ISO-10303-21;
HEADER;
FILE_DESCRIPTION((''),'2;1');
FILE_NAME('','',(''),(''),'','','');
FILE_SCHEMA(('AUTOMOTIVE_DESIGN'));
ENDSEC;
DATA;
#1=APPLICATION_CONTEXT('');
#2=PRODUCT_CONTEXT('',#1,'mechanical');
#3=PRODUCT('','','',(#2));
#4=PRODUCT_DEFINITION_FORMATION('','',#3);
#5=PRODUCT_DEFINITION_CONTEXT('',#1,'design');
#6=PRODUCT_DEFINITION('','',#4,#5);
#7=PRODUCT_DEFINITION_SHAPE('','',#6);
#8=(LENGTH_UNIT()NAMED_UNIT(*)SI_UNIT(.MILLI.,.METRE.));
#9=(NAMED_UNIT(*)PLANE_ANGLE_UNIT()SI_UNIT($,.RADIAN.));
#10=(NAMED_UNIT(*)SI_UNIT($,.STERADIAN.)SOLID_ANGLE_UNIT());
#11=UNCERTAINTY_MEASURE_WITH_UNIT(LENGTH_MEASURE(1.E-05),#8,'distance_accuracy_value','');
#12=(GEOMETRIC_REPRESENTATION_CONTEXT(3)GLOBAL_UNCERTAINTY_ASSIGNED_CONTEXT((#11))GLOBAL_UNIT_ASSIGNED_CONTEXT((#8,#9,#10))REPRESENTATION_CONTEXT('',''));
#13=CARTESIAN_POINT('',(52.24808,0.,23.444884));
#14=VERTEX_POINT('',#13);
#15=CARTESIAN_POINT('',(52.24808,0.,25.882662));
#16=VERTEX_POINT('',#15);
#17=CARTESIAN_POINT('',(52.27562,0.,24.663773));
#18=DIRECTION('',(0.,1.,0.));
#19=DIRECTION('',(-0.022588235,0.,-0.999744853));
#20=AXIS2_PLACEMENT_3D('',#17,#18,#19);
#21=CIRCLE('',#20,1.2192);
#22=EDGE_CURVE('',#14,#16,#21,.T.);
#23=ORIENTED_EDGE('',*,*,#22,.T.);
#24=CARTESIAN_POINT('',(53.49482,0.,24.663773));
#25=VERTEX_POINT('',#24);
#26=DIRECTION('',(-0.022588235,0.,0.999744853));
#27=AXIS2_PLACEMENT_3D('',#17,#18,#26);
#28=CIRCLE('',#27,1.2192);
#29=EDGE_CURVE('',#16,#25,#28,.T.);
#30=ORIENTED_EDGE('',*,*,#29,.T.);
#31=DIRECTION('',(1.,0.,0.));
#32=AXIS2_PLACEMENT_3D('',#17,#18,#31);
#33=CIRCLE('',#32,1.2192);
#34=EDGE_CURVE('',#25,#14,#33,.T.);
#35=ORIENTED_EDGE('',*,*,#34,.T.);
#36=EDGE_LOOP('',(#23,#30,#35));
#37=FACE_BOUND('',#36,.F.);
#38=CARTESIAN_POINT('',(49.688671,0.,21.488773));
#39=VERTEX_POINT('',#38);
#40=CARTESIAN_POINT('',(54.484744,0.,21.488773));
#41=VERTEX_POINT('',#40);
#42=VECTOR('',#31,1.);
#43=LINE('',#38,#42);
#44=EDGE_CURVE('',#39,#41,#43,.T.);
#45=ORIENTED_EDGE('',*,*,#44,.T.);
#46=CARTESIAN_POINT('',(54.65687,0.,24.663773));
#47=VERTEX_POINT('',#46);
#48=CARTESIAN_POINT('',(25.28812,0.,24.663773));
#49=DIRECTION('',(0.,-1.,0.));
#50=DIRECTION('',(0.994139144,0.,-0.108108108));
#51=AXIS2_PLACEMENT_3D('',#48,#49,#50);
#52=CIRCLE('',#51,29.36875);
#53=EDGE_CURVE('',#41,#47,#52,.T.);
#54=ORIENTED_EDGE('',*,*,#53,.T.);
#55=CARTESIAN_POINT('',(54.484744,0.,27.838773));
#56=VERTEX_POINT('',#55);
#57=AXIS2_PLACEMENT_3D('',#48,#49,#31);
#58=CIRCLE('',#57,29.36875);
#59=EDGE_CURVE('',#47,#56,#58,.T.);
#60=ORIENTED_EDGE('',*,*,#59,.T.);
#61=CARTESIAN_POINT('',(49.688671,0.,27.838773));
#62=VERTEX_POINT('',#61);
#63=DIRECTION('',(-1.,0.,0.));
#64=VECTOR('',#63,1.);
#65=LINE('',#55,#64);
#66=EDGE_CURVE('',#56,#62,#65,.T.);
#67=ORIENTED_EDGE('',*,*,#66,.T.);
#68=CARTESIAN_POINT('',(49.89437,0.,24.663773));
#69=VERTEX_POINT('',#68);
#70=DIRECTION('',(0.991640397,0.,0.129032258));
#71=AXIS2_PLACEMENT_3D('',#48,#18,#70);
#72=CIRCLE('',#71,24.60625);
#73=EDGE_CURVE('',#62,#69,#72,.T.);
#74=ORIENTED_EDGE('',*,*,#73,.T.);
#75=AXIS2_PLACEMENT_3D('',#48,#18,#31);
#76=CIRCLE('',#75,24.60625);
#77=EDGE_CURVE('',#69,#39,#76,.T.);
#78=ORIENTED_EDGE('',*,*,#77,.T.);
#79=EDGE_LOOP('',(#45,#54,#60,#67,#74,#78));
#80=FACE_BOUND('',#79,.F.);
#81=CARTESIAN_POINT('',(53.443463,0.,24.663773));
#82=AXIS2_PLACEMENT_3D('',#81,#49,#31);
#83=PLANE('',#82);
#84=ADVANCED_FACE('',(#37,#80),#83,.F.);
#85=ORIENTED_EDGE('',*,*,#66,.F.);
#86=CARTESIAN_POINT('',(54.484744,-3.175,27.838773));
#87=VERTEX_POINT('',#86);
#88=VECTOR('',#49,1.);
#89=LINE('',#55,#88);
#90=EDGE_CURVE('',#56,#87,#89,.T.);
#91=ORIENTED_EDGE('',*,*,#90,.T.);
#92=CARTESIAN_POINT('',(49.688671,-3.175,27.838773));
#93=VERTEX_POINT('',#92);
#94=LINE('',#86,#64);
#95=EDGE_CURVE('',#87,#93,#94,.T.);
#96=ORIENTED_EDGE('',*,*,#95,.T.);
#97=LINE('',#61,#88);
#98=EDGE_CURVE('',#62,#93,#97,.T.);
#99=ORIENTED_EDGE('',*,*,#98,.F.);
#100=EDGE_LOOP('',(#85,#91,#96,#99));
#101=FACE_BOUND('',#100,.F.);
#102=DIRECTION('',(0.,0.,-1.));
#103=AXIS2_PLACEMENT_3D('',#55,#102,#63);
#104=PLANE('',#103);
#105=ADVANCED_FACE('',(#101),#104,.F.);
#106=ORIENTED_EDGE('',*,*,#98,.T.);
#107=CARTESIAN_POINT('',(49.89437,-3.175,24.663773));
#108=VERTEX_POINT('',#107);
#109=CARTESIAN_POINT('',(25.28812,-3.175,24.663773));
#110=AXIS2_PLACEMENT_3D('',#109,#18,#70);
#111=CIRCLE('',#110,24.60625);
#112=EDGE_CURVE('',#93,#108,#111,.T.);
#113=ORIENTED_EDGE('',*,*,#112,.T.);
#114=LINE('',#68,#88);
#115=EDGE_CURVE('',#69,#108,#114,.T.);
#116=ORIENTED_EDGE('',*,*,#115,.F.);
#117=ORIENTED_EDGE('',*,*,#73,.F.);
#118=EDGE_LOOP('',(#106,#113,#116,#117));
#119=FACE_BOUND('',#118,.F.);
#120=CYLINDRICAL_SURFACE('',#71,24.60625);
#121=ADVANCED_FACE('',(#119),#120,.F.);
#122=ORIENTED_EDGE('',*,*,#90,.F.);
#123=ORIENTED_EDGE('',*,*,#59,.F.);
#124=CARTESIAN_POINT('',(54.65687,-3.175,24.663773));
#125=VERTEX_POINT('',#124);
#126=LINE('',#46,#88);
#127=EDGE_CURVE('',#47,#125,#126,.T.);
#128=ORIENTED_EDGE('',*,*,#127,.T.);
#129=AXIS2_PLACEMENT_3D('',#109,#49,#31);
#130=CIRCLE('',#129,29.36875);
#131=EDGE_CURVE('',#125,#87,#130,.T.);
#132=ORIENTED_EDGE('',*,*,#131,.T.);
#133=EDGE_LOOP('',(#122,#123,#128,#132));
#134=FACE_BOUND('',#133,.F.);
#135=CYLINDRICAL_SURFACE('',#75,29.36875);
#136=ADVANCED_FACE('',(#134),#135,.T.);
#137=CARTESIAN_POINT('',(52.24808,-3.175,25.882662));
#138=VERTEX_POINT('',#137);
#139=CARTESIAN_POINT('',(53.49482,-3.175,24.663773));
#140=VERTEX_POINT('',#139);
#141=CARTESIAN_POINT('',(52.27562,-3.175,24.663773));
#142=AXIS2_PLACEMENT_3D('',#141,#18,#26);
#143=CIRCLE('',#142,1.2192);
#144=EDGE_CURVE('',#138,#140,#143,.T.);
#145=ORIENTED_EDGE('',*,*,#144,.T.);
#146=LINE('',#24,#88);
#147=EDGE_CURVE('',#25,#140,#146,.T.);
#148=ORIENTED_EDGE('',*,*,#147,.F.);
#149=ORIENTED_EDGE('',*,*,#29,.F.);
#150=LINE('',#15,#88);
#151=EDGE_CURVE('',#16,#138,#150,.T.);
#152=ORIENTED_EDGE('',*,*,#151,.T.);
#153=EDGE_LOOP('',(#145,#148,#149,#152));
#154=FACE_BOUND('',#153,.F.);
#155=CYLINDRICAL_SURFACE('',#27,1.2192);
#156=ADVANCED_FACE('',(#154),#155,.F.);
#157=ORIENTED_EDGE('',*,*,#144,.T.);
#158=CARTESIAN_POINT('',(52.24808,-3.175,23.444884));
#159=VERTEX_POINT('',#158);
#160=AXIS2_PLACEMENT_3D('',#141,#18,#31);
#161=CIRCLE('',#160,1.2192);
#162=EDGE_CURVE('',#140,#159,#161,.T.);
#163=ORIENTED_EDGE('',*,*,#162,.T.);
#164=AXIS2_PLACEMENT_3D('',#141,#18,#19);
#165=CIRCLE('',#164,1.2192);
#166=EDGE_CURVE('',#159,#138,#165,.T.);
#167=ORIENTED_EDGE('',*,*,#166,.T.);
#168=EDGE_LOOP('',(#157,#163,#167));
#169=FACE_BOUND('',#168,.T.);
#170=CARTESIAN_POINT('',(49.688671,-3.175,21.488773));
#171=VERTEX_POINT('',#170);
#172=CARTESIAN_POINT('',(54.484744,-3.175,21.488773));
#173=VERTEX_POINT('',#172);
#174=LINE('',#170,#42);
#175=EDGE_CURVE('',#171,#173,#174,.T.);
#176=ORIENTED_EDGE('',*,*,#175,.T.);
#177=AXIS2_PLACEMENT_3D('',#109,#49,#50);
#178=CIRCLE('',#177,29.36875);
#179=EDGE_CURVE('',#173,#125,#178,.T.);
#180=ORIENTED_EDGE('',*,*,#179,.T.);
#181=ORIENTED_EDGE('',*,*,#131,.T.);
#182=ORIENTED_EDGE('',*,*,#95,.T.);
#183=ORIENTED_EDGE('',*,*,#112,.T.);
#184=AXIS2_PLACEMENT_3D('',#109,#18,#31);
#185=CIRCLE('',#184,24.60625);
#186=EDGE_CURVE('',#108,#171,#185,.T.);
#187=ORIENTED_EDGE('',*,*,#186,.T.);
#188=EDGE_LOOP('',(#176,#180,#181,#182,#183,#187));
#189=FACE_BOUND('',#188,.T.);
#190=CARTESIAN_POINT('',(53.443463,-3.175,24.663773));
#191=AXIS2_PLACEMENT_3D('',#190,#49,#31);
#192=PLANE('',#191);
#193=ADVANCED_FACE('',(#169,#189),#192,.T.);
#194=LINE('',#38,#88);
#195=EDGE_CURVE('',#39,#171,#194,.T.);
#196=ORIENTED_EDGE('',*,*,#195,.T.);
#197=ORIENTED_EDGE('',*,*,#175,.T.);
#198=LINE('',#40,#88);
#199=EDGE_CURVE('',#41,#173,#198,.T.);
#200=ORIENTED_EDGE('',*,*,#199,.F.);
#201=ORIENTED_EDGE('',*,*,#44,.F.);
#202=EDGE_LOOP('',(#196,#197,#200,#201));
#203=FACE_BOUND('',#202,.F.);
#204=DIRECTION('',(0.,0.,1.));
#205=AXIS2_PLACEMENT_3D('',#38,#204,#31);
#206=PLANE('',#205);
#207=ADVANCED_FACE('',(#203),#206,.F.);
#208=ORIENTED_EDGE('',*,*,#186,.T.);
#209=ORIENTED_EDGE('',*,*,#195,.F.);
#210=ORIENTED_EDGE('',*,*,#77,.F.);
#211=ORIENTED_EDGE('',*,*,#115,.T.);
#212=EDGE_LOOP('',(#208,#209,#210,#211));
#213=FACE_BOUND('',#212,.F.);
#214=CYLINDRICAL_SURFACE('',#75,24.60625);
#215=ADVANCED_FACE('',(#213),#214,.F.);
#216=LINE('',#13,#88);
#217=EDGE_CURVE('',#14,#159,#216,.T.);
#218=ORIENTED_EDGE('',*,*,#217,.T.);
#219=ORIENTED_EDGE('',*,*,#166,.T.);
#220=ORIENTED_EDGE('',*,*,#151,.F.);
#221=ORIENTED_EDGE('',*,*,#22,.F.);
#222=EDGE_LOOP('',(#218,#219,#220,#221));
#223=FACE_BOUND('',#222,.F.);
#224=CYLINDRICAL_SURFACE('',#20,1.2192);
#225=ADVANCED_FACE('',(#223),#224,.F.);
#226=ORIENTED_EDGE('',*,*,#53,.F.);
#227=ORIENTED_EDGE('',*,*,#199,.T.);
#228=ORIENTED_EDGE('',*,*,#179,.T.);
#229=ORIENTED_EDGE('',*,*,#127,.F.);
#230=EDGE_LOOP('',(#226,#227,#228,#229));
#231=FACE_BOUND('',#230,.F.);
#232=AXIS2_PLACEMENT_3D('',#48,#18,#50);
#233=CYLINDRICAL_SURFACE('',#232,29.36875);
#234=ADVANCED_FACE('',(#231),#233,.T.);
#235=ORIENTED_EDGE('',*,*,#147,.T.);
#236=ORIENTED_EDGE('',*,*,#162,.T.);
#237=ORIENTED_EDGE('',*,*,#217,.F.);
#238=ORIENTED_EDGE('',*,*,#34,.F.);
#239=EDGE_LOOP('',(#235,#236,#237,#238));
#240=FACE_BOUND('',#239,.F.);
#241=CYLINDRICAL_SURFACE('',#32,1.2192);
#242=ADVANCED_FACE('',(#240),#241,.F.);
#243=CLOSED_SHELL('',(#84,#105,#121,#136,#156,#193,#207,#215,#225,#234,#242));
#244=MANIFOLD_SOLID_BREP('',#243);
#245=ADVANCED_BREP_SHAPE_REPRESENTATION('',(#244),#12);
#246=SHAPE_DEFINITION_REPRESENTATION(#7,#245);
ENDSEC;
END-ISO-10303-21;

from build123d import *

# Parameters (mm, degrees)
F1_DEPTH = 3.175


with BuildPart() as f1:
    # F0 (on Front) → F1 (new body)
    with BuildSketch(Plane.XZ):
        with BuildLine():
            Line((54.4847436749, 27.8387732587), (52.0882042376, 27.8387732587))
            ThreePointArc((52.0882042376, 27.8387732587), (52.1859300417, 26.8621715497), (52.248080123, 25.8826621838))
            ThreePointArc((52.248080123, 25.8826621838), (53.1279319628, 25.5355601855), (53.4948196995, 24.6637732587))
            ThreePointArc((53.4948196995, 24.6637732587), (53.1279319628, 23.7919863318), (52.248080123, 23.4448843336))
            ThreePointArc((52.248080123, 23.4448843336), (52.1859300417, 22.4653749676), (52.0882042376, 21.4887732587))
            Line((52.0882042376, 21.4887732587), (54.4847436749, 21.4887732587))
            ThreePointArc((54.4847436749, 21.4887732587), (54.6138066219, 23.0739421066), (54.6568696995, 24.6637732587))
            ThreePointArc((54.6568696995, 24.6637732587), (54.6138066219, 26.2536044107), (54.4847436749, 27.8387732587))
        make_face()
        with BuildLine():
            ThreePointArc((49.6886712109, 27.8387732587), (49.8428912286, 26.2546014131), (49.8943696995, 24.6637732587))
            ThreePointArc((49.8943696995, 24.6637732587), (49.8428912286, 23.0729451042), (49.6886712109, 21.4887732587))
            Line((49.6886712109, 21.4887732587), (52.0882042376, 21.4887732587))
            ThreePointArc((52.0882042376, 21.4887732587), (52.1859300417, 22.4653749676), (52.248080123, 23.4448843336))
            ThreePointArc((52.248080123, 23.4448843336), (51.0564196995, 24.6637732587), (52.248080123, 25.8826621838))
            ThreePointArc((52.248080123, 25.8826621838), (52.1859300417, 26.8621715497), (52.0882042376, 27.8387732587))
            Line((52.0882042376, 27.8387732587), (49.6886712109, 27.8387732587))
        make_face()
    extrude(amount=F1_DEPTH)


solid = f1.part
